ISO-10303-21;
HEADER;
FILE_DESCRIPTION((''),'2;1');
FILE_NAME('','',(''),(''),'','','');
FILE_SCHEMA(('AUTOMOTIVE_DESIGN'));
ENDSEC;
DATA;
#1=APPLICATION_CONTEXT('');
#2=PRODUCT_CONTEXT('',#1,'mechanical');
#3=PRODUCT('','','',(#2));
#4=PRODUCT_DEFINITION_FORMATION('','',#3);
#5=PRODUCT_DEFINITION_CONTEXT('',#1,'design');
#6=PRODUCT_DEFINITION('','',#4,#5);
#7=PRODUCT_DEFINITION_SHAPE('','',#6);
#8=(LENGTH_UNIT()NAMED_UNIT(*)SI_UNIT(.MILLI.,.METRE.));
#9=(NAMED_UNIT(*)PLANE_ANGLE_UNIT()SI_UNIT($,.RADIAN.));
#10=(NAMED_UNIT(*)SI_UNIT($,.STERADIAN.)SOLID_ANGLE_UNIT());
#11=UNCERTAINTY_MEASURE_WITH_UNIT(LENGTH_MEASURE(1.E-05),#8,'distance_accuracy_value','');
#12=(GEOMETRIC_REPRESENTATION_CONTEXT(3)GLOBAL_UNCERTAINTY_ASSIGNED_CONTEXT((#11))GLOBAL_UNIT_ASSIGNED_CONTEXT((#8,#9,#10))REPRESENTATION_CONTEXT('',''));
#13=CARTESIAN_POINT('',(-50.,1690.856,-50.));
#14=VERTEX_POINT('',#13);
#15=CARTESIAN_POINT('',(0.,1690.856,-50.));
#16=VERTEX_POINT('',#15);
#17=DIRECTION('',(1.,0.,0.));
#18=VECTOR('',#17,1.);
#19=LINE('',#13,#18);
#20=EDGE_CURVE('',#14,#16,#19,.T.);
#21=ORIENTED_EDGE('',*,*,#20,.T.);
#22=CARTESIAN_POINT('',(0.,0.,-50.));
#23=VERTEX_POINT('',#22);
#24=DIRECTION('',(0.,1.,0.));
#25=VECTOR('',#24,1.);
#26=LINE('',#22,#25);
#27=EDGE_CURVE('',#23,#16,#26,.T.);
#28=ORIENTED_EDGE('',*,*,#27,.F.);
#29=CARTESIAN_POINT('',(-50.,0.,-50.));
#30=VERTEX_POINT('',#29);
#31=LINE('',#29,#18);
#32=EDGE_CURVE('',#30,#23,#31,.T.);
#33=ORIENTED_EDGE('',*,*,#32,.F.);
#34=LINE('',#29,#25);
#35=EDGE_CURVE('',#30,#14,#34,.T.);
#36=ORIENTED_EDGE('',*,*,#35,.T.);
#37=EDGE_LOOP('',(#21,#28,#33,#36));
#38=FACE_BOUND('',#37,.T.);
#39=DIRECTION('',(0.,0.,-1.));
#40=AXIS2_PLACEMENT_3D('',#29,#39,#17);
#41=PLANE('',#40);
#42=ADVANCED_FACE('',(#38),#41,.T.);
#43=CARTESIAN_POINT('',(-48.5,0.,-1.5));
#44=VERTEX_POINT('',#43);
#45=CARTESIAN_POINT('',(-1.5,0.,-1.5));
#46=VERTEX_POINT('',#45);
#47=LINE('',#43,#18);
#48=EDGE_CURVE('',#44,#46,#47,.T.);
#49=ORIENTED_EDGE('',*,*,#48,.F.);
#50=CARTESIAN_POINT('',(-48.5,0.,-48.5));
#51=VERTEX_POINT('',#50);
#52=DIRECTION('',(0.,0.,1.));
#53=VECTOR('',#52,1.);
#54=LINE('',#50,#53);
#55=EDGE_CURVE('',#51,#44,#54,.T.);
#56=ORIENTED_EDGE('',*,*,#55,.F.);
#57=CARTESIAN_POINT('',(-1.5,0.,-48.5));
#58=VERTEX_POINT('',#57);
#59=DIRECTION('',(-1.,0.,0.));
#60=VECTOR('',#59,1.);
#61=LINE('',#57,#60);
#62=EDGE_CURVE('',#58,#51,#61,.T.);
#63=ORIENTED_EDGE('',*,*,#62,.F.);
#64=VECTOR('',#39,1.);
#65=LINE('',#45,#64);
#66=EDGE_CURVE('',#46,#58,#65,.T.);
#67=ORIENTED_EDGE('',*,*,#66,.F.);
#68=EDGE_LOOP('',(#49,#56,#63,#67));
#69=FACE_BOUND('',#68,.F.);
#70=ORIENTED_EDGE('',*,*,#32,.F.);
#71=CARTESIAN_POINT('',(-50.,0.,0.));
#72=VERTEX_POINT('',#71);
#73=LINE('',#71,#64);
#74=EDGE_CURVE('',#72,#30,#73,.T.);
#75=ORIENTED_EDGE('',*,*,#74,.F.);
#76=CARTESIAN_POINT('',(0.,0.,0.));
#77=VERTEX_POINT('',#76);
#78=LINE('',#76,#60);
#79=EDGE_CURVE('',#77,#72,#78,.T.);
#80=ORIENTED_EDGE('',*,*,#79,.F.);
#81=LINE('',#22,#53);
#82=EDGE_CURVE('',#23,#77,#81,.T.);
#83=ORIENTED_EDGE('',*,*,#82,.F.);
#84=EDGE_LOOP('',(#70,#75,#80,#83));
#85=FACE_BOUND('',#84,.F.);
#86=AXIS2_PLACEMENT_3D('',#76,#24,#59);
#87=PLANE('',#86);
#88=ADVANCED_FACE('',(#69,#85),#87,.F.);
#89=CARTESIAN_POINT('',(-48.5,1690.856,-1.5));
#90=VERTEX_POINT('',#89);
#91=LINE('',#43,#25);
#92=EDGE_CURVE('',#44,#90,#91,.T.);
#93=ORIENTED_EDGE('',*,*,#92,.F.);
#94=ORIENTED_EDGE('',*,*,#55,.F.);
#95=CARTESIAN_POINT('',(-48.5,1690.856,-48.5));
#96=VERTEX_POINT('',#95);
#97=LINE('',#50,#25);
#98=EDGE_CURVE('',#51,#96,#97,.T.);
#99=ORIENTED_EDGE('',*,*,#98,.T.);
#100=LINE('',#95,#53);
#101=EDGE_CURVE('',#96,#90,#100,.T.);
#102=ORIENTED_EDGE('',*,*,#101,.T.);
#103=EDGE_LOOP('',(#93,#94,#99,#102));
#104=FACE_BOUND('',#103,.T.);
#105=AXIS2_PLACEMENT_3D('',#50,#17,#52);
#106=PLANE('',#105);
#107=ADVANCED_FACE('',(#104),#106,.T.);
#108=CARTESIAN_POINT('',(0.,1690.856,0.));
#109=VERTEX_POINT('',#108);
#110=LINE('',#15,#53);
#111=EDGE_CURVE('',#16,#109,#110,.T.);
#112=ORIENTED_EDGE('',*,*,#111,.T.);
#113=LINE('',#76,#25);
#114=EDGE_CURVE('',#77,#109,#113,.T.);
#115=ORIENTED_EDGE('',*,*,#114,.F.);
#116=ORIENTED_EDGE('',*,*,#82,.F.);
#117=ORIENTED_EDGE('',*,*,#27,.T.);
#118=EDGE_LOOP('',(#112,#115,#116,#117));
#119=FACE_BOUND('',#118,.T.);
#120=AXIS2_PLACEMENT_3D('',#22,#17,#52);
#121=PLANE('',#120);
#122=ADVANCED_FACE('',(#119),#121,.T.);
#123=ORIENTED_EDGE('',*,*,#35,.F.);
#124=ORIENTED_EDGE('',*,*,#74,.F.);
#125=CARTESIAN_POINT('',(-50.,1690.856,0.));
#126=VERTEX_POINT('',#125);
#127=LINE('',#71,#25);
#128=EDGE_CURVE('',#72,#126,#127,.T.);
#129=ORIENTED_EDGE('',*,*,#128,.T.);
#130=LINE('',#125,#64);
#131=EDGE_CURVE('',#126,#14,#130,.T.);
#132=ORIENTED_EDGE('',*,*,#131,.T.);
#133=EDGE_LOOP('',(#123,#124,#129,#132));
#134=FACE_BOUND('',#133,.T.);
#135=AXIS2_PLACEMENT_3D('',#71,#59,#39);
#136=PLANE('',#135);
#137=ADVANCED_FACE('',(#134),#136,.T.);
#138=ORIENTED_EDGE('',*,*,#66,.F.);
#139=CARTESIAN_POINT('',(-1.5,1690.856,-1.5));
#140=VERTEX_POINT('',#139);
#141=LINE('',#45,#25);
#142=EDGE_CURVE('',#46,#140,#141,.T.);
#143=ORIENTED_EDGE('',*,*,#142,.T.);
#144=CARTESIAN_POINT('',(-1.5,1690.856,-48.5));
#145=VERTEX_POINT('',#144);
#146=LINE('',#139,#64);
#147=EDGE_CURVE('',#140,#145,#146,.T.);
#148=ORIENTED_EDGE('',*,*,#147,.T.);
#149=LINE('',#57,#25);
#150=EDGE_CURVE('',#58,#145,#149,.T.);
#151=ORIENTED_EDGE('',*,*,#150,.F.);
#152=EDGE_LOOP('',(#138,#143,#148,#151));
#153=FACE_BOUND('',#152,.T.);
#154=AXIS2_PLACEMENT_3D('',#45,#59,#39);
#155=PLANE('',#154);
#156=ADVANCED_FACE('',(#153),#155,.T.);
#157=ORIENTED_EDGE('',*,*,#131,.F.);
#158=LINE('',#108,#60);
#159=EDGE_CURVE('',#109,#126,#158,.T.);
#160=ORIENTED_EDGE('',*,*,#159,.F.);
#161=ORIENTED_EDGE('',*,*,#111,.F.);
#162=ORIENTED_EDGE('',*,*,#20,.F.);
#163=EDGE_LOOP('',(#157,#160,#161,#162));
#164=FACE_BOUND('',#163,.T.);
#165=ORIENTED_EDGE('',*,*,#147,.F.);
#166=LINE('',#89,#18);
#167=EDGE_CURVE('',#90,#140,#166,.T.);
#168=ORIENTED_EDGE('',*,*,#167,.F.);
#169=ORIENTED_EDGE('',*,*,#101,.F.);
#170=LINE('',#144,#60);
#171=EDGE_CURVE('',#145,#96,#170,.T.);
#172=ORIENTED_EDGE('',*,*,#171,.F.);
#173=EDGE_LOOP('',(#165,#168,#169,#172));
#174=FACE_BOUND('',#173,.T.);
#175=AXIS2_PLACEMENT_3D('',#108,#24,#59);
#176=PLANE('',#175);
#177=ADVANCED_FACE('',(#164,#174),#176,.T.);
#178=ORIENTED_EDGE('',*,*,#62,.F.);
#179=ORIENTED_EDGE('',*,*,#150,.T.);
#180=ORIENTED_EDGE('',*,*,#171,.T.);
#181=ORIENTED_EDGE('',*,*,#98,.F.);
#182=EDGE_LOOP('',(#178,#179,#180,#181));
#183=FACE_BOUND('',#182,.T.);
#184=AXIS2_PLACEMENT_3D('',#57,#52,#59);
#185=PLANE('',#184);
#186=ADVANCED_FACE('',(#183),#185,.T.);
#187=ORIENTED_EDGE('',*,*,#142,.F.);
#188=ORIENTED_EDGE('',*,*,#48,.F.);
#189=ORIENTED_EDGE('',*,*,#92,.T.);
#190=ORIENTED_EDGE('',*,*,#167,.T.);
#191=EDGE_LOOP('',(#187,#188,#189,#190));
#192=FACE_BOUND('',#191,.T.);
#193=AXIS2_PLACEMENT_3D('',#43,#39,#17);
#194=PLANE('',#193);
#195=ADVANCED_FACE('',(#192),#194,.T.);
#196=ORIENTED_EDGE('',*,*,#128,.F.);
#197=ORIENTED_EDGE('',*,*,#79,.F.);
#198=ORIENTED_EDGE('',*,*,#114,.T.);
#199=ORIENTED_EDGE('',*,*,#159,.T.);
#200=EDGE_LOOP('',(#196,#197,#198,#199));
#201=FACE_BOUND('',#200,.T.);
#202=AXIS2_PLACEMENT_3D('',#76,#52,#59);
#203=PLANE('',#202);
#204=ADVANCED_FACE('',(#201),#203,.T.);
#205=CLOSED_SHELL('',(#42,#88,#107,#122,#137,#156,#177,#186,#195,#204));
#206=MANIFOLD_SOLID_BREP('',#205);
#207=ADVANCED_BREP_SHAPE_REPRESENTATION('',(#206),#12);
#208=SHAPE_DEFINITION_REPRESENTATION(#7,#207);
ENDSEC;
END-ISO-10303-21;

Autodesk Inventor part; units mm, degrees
ref_plane "YZ Plane" through (0, 0, 0) normal (1, 0, 0) x (0, 1, 0)
ref_plane "XZ Plane" through (0, 0, 0) normal (0, 1, 0) x (-1, 0, 0)
ref_plane "XY Plane" through (0, 0, 0) normal (0, 0, 1) x (1, 0, 0)
sketch "Boceto1" plane through (0, 0, 0) normal (0, 1, 0) x (-1, 0, 0)
  line L0 (0, 0) -> (50, 0)
  line L1 (50, 0) -> (50, -50)
  line L2 (50, -50) -> (0, -50)
  line L3 (0, -50) -> (0, 0)
  line L4 (1.5, -48.5) -> (48.5, -48.5)
  line L5 (48.5, -48.5) -> (48.5, -1.5)
  line L6 (48.5, -1.5) -> (1.5, -1.5)
  line L7 (1.5, -1.5) -> (1.5, -48.5)
  line L8 (1.5, -48.5) -> (48.5, -1.5) construction
  line L9 (48.5, -48.5) -> (1.5, -1.5) construction
  point P0 (25, -25)
  dimension "d0" = 50
  dimension "d1" = 50
  dimension "d6" = 1.5
  dimension "d7" = 1.5
  dimension "d8" = 1.5
  dimension "d9" = 1.5
extrude "Extrusión1" add sketch "Boceto1" along normal blind 1690.856
equation "\"d0\" = d1"
equation "\"d7\" = d6"
equation "\"d8\" = d6"
equation "\"d9\" = d6"
properties part number "Mesa_base3"
